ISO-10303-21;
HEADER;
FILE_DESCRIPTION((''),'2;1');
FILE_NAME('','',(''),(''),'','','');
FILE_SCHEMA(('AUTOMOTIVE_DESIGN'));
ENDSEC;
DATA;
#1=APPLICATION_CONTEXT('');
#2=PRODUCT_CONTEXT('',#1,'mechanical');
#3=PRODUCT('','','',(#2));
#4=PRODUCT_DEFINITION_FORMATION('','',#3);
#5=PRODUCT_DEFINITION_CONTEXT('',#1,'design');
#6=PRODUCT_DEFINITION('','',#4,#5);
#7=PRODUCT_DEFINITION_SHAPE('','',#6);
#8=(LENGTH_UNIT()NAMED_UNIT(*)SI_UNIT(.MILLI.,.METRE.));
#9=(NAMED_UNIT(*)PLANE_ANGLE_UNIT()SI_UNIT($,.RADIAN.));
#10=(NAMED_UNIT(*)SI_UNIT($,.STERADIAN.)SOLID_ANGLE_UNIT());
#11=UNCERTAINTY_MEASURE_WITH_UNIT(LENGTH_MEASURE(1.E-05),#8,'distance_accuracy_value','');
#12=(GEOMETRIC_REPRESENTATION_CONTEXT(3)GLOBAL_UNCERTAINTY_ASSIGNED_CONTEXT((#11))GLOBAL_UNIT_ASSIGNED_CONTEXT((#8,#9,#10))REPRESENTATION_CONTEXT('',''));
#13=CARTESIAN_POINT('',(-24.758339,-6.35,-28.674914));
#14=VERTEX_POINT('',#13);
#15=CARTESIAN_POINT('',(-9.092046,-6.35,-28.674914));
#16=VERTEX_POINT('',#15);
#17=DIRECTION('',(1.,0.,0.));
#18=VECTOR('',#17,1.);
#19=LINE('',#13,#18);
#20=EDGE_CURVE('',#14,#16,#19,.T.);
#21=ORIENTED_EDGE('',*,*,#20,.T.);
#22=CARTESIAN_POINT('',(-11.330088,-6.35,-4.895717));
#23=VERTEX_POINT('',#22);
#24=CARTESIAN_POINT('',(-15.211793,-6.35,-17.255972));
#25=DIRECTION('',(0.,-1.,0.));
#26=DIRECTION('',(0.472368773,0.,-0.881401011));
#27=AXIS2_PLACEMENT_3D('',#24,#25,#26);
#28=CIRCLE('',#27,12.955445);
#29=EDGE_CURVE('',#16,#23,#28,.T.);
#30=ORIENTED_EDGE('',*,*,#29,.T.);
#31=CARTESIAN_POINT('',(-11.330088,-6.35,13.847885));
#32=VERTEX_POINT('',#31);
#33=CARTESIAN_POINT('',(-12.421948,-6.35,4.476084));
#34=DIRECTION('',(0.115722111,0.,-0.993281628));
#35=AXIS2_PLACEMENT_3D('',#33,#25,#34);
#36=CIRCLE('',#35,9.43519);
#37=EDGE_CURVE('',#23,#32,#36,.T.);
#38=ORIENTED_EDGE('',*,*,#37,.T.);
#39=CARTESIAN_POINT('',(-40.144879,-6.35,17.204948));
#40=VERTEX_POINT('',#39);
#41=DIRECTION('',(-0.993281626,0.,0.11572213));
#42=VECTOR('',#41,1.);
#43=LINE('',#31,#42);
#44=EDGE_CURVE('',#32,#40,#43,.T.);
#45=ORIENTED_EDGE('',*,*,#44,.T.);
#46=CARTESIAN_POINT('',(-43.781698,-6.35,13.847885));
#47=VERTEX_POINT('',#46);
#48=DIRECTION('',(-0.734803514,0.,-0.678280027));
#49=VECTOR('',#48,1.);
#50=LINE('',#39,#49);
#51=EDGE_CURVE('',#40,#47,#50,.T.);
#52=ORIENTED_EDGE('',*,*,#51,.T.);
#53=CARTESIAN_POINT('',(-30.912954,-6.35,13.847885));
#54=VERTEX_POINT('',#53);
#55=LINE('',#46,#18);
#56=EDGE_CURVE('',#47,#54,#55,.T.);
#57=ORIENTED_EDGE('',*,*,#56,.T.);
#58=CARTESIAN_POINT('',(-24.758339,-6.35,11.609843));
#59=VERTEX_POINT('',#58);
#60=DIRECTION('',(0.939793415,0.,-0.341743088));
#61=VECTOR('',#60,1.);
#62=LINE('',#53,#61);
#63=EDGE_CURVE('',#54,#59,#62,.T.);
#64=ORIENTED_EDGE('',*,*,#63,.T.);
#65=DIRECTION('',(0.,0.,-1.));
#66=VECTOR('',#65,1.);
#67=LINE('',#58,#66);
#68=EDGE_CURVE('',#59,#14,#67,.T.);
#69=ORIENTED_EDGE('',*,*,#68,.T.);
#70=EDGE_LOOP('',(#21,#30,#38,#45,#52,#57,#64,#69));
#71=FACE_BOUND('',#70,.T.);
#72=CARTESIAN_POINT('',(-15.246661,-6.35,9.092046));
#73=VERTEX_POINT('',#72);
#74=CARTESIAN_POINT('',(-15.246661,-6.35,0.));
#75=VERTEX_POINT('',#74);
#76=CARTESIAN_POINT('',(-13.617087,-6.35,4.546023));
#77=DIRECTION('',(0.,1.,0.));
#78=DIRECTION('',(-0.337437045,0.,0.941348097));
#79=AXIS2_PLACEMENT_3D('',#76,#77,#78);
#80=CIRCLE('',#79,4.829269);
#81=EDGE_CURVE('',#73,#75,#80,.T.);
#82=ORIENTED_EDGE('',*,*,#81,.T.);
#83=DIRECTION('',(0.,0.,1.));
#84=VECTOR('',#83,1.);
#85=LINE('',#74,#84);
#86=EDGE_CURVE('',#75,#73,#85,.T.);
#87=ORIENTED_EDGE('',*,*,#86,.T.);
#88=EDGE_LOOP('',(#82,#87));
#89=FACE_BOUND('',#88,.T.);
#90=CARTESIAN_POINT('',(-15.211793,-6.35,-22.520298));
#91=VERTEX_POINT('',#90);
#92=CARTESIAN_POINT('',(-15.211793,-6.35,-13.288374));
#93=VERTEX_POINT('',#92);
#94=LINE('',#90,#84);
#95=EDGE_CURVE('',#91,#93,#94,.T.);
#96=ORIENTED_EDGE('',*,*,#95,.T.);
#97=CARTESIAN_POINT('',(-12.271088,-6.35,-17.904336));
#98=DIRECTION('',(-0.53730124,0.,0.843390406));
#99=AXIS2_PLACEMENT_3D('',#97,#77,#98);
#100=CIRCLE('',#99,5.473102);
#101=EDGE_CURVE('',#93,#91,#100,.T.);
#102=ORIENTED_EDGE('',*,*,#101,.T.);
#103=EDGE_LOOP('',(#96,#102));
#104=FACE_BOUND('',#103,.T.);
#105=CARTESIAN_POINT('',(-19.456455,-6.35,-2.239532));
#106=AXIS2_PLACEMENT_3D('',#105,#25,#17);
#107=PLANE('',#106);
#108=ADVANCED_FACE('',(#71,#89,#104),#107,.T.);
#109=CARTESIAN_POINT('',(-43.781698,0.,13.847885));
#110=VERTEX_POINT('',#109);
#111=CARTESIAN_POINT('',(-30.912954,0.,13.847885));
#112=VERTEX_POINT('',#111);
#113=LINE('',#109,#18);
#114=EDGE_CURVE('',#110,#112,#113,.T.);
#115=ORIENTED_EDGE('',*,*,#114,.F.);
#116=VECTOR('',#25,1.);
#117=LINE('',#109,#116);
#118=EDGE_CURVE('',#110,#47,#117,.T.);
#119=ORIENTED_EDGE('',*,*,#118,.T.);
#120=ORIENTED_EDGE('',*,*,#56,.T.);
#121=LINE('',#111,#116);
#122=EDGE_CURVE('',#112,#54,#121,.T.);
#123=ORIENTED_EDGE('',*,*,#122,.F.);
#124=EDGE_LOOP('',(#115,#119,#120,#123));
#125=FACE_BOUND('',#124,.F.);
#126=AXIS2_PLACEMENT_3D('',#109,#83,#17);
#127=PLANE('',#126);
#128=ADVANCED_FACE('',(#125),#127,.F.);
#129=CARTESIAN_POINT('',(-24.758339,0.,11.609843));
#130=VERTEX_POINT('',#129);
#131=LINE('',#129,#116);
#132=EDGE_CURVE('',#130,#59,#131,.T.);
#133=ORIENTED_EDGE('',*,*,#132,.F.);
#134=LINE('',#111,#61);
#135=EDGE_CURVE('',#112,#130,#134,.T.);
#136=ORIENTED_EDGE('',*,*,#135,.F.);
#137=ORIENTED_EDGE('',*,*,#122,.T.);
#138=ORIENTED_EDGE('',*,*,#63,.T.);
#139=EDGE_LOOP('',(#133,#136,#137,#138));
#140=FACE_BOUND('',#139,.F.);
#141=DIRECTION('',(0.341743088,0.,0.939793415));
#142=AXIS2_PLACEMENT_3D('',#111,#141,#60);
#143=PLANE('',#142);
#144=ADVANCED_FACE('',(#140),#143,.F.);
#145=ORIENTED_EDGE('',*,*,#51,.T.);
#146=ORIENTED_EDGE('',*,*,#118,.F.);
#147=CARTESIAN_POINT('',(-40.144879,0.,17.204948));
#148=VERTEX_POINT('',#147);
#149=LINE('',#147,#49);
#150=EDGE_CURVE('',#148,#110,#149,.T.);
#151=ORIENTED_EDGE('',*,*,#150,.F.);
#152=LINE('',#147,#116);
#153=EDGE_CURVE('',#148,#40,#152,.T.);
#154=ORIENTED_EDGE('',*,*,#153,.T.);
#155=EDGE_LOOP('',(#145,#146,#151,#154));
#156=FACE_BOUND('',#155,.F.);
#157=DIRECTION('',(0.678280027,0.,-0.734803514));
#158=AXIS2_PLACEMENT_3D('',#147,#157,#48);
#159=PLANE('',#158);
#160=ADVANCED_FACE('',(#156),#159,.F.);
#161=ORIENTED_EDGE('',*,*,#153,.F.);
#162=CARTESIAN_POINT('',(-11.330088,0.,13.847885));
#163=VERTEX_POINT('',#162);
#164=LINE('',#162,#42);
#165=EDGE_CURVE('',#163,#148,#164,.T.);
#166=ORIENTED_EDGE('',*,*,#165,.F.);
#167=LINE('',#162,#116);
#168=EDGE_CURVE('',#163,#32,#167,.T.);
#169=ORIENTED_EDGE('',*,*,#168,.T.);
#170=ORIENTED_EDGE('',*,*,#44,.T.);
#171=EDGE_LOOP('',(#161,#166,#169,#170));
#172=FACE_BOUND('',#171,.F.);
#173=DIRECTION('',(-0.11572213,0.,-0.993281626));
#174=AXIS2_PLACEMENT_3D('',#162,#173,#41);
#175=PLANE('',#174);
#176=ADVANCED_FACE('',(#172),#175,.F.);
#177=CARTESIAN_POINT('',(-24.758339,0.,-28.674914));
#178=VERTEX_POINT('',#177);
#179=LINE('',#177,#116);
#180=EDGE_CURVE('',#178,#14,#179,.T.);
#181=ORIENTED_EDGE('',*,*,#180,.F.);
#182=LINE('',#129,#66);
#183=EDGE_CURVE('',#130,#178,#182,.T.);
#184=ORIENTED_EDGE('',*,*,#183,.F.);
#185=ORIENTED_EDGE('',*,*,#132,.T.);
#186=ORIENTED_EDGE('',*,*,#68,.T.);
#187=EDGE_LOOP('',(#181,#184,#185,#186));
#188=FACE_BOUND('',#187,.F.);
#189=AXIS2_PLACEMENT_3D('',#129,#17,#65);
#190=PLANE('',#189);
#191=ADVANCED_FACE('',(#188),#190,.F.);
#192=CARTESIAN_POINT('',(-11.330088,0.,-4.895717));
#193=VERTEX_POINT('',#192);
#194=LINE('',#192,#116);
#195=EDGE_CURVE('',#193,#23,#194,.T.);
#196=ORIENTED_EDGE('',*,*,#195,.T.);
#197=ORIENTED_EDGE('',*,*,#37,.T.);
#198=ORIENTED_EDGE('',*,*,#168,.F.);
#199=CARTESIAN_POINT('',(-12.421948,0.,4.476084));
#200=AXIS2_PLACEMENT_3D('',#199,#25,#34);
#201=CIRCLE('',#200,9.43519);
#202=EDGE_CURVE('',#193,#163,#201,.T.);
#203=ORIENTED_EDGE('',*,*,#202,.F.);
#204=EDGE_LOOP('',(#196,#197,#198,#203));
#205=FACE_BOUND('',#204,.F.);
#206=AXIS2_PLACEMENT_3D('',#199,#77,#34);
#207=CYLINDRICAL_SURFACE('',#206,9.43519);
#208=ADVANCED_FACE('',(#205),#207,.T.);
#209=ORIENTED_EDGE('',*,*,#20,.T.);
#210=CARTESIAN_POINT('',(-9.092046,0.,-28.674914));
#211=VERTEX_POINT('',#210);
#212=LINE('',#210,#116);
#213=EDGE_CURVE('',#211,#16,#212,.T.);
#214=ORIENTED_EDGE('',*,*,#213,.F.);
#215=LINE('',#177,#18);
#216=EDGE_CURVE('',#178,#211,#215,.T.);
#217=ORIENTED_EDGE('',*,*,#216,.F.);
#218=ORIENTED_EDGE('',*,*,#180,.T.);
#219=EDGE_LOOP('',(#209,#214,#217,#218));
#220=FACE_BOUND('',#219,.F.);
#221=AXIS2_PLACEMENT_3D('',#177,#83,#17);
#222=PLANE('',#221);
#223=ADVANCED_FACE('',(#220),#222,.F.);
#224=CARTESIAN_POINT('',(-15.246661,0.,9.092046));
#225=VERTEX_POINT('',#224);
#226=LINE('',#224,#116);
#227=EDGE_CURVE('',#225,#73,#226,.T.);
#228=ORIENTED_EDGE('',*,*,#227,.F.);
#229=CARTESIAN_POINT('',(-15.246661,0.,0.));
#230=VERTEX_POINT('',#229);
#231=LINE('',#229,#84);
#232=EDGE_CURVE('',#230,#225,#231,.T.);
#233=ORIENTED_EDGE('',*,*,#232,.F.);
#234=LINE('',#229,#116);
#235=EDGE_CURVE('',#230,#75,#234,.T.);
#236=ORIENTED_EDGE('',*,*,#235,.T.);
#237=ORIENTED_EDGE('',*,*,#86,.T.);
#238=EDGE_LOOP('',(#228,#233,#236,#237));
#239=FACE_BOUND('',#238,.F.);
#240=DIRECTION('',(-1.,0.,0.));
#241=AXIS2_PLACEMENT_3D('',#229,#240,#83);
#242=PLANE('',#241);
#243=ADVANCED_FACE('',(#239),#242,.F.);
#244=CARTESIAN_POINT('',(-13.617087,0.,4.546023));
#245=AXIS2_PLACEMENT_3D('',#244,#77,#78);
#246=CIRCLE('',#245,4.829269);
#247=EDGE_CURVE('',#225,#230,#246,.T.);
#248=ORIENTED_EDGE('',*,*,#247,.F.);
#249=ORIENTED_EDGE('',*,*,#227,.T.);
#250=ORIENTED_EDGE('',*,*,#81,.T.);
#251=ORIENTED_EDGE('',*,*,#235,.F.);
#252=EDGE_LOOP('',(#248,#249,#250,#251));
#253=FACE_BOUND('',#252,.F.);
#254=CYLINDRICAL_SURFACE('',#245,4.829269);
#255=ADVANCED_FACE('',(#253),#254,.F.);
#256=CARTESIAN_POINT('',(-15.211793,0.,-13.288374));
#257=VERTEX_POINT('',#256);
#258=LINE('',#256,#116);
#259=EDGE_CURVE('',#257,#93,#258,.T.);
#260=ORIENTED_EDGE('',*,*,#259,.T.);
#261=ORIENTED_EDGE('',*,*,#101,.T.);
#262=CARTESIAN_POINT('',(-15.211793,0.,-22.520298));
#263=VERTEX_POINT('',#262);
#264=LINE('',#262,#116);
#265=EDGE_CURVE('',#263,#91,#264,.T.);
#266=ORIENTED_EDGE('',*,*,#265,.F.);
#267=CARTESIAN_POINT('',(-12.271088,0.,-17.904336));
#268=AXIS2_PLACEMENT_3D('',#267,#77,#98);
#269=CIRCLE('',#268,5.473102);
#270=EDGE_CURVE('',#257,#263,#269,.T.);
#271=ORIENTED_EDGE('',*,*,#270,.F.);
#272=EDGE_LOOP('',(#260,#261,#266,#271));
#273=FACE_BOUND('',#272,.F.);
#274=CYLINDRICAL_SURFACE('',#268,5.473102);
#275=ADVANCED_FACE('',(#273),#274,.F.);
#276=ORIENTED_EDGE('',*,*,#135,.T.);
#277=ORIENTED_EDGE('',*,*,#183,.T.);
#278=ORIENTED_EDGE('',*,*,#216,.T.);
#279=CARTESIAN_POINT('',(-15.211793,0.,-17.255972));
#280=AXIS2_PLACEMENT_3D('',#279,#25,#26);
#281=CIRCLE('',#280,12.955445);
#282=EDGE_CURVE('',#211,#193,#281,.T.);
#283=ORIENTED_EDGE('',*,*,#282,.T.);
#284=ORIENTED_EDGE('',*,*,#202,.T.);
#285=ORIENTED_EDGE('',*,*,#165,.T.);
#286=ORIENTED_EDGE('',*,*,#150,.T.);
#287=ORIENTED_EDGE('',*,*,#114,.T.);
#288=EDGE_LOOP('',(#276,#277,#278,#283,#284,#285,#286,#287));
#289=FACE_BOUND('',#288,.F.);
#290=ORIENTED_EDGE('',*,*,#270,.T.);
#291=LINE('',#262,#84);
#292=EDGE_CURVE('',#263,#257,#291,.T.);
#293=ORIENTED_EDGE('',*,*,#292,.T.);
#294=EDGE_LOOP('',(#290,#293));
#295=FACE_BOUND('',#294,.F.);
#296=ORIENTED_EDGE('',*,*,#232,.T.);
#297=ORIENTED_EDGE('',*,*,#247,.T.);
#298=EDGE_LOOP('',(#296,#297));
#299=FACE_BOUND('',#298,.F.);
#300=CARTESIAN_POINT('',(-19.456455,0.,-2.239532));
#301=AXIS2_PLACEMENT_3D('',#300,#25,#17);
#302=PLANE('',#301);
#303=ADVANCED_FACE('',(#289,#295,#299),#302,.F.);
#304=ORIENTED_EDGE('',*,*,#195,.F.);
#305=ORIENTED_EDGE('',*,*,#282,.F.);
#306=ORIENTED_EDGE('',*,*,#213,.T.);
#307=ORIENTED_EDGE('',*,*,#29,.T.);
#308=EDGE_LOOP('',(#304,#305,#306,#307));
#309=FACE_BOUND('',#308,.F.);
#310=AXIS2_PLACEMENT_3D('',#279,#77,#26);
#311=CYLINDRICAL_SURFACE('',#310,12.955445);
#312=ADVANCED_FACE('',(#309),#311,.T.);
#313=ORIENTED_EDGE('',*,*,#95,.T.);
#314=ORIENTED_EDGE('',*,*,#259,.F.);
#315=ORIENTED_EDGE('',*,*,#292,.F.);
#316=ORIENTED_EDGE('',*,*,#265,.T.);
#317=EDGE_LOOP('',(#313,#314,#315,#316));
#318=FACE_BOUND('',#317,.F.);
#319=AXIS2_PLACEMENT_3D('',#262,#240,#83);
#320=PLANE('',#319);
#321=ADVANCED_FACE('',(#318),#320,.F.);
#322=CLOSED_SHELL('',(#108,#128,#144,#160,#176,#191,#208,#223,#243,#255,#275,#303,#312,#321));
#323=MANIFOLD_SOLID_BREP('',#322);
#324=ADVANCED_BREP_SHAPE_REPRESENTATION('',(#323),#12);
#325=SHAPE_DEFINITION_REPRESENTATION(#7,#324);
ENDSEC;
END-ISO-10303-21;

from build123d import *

# Parameters (mm, degrees)
F1_DEPTH = 6.35


with BuildPart() as f1:
    # F0 (on Front) → F1 (new body)
    with BuildSketch(Plane.XZ):
        with BuildLine():
            Line((-30.912954, 13.847885), (-24.758339, 11.609843))
            Line((-24.758339, 11.609843), (-24.758339, -28.674914))
            Line((-24.758339, -28.674914), (-9.092046, -28.674914))
            ThreePointArc((-9.092046, -28.674914), (-2.313351, -16.042001), (-11.330088, -4.895717))
            ThreePointArc((-11.330088, -4.895717), (-2.986758, 4.476084), (-11.330088, 13.847885))
            Line((-11.330088, 13.847885), (-40.144879, 17.204948))
            Line((-40.144879, 17.204948), (-43.781698, 13.847885))
            Line((-43.781698, 13.847885), (-30.912954, 13.847885))
        make_face()
        with BuildLine():
            Line((-15.211793, -22.520298), (-15.211793, -13.288374))
            ThreePointArc((-15.211793, -13.288374), (-6.797986, -17.904336), (-15.211793, -22.520298))
        make_face(mode=Mode.SUBTRACT)
        with BuildLine():
            Line((-15.246661, 0), (-15.246661, 9.092046))
            ThreePointArc((-15.246661, 9.092046), (-8.787818, 4.546023), (-15.246661, 0))
        make_face(mode=Mode.SUBTRACT)
    extrude(amount=F1_DEPTH)


solid = f1.part
